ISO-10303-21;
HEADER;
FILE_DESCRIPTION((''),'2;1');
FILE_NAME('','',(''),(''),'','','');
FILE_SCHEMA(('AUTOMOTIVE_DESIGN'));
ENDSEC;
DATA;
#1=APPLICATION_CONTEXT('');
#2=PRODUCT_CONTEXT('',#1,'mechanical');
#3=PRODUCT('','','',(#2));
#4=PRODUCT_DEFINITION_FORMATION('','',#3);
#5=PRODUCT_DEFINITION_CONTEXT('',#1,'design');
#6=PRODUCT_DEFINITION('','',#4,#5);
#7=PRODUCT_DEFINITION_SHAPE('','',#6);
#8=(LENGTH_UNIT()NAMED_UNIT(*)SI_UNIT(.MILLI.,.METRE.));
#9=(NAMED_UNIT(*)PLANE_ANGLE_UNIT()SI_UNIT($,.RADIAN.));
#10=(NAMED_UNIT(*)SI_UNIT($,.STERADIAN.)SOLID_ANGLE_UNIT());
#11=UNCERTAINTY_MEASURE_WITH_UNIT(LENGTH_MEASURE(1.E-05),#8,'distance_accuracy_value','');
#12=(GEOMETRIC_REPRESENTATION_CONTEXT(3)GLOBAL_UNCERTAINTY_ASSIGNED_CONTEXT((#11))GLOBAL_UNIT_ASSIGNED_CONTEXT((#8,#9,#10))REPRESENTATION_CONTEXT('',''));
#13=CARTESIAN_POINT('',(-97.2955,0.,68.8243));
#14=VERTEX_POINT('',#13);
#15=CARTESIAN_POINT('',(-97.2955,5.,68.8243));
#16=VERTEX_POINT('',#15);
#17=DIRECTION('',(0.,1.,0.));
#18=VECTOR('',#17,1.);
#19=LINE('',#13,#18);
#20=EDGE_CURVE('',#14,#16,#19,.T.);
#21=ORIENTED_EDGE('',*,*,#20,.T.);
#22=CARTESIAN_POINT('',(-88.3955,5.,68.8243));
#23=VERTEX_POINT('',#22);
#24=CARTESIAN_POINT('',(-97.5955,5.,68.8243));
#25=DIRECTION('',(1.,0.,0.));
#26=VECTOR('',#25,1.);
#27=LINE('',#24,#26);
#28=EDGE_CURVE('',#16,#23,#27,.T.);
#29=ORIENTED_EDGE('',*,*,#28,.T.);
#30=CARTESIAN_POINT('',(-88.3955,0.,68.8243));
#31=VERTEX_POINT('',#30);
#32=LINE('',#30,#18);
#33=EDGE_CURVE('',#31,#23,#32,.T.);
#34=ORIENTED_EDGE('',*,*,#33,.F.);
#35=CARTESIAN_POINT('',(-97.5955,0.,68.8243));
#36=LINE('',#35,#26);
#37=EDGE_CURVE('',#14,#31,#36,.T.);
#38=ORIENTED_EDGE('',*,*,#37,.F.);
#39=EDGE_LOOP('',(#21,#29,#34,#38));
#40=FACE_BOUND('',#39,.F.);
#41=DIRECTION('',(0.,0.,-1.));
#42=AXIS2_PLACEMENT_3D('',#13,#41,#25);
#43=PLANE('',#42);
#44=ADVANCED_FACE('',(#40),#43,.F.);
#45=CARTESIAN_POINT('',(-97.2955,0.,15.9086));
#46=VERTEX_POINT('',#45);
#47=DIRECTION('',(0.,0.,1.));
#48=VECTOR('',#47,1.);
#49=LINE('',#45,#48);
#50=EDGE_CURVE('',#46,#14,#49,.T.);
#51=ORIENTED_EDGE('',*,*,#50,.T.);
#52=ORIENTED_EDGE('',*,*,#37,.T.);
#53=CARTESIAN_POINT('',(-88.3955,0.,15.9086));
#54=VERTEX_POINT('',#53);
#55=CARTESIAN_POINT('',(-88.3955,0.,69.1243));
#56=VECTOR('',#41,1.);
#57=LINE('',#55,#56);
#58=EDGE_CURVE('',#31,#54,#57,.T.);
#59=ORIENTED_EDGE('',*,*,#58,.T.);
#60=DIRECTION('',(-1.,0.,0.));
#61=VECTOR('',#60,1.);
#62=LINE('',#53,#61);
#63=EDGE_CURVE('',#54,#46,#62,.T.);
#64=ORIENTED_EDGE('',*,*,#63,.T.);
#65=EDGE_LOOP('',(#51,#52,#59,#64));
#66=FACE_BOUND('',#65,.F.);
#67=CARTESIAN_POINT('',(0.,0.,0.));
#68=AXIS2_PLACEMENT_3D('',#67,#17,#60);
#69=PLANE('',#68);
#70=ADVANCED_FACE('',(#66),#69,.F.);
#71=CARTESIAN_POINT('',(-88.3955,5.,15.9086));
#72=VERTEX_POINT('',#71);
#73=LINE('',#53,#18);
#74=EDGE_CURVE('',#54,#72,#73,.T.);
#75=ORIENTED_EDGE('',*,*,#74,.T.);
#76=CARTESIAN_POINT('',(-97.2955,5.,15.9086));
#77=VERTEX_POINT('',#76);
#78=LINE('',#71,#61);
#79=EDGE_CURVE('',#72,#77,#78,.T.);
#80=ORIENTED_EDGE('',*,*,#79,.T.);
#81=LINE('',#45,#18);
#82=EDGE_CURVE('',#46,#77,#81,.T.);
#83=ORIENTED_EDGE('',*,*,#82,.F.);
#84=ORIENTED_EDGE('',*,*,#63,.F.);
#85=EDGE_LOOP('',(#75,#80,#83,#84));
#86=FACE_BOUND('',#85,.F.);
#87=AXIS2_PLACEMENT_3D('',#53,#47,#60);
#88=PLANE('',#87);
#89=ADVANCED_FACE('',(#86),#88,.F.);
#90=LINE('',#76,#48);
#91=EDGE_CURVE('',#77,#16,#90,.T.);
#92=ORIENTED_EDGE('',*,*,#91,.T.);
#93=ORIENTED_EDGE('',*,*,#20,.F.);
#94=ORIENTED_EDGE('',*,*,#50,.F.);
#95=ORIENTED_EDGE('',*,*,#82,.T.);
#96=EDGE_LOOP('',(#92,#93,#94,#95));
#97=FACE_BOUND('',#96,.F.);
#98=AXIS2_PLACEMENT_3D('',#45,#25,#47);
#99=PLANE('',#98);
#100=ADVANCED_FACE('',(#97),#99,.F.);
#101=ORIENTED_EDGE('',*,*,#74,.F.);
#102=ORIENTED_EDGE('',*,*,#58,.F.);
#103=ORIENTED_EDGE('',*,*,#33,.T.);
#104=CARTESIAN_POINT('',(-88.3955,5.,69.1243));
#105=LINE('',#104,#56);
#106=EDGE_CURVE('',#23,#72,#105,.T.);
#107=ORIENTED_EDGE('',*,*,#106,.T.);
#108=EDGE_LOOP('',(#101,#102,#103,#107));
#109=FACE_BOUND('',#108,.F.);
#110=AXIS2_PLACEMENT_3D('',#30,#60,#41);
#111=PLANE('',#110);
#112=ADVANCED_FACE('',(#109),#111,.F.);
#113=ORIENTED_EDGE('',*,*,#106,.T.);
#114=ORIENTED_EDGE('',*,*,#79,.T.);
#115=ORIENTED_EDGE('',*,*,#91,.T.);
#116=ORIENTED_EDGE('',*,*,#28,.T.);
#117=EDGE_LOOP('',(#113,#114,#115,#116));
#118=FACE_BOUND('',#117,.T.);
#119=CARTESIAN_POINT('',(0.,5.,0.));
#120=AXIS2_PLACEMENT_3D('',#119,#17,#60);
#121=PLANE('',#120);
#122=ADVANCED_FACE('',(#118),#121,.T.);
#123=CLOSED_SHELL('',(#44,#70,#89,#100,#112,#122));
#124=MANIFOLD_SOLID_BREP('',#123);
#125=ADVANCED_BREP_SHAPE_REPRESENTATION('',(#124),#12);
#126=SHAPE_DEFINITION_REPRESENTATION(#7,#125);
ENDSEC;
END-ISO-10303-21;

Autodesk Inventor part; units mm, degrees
ref_plane "YZ Plane" through (0, 0, 0) normal (1, 0, 0) x (0, 1, 0)
ref_plane "XZ Plane" through (0, 0, 0) normal (0, 1, 0) x (-1, 0, 0)
ref_plane "XY Plane" through (0, 0, 0) normal (0, 0, 1) x (1, 0, 0)
sketch "스케치1" plane through (0, 0, 0) normal (0, 1, 0) x (-1, 0, 0)
  line L0 (88.0955, 15.6086) -> (88.0955, 68.8243)
  line L1 (97.5955, 15.6086) -> (88.0955, 15.6086)
  line L2 (97.5955, 68.8243) -> (97.5955, 15.6086)
  line L3 (88.3955, 69.1243) -> (88.3955, 15.9086)
  line L4 (88.3955, 15.9086) -> (97.2955, 15.9086)
  line L5 (97.2955, 15.9086) -> (97.2955, 69.1243)
  line L6 (97.5955, 68.8243) -> (88.0955, 68.8243)
  point P0 (0, 0)
  point P1 (86.7957, 68.8243)
  point P2 (97.2955, 68.8243)
  point P3 (88.3955, 68.8243)
  point P4 (97.2955, 68.8243)
  point P5 (88.3955, 68.8243)
  dimension "d0" = 0.3
extrude "돌출1" add sketch "스케치1" along normal blind 5 contours L6 L5 L4 L3
properties part number "sample" material "고무, 검은색"
